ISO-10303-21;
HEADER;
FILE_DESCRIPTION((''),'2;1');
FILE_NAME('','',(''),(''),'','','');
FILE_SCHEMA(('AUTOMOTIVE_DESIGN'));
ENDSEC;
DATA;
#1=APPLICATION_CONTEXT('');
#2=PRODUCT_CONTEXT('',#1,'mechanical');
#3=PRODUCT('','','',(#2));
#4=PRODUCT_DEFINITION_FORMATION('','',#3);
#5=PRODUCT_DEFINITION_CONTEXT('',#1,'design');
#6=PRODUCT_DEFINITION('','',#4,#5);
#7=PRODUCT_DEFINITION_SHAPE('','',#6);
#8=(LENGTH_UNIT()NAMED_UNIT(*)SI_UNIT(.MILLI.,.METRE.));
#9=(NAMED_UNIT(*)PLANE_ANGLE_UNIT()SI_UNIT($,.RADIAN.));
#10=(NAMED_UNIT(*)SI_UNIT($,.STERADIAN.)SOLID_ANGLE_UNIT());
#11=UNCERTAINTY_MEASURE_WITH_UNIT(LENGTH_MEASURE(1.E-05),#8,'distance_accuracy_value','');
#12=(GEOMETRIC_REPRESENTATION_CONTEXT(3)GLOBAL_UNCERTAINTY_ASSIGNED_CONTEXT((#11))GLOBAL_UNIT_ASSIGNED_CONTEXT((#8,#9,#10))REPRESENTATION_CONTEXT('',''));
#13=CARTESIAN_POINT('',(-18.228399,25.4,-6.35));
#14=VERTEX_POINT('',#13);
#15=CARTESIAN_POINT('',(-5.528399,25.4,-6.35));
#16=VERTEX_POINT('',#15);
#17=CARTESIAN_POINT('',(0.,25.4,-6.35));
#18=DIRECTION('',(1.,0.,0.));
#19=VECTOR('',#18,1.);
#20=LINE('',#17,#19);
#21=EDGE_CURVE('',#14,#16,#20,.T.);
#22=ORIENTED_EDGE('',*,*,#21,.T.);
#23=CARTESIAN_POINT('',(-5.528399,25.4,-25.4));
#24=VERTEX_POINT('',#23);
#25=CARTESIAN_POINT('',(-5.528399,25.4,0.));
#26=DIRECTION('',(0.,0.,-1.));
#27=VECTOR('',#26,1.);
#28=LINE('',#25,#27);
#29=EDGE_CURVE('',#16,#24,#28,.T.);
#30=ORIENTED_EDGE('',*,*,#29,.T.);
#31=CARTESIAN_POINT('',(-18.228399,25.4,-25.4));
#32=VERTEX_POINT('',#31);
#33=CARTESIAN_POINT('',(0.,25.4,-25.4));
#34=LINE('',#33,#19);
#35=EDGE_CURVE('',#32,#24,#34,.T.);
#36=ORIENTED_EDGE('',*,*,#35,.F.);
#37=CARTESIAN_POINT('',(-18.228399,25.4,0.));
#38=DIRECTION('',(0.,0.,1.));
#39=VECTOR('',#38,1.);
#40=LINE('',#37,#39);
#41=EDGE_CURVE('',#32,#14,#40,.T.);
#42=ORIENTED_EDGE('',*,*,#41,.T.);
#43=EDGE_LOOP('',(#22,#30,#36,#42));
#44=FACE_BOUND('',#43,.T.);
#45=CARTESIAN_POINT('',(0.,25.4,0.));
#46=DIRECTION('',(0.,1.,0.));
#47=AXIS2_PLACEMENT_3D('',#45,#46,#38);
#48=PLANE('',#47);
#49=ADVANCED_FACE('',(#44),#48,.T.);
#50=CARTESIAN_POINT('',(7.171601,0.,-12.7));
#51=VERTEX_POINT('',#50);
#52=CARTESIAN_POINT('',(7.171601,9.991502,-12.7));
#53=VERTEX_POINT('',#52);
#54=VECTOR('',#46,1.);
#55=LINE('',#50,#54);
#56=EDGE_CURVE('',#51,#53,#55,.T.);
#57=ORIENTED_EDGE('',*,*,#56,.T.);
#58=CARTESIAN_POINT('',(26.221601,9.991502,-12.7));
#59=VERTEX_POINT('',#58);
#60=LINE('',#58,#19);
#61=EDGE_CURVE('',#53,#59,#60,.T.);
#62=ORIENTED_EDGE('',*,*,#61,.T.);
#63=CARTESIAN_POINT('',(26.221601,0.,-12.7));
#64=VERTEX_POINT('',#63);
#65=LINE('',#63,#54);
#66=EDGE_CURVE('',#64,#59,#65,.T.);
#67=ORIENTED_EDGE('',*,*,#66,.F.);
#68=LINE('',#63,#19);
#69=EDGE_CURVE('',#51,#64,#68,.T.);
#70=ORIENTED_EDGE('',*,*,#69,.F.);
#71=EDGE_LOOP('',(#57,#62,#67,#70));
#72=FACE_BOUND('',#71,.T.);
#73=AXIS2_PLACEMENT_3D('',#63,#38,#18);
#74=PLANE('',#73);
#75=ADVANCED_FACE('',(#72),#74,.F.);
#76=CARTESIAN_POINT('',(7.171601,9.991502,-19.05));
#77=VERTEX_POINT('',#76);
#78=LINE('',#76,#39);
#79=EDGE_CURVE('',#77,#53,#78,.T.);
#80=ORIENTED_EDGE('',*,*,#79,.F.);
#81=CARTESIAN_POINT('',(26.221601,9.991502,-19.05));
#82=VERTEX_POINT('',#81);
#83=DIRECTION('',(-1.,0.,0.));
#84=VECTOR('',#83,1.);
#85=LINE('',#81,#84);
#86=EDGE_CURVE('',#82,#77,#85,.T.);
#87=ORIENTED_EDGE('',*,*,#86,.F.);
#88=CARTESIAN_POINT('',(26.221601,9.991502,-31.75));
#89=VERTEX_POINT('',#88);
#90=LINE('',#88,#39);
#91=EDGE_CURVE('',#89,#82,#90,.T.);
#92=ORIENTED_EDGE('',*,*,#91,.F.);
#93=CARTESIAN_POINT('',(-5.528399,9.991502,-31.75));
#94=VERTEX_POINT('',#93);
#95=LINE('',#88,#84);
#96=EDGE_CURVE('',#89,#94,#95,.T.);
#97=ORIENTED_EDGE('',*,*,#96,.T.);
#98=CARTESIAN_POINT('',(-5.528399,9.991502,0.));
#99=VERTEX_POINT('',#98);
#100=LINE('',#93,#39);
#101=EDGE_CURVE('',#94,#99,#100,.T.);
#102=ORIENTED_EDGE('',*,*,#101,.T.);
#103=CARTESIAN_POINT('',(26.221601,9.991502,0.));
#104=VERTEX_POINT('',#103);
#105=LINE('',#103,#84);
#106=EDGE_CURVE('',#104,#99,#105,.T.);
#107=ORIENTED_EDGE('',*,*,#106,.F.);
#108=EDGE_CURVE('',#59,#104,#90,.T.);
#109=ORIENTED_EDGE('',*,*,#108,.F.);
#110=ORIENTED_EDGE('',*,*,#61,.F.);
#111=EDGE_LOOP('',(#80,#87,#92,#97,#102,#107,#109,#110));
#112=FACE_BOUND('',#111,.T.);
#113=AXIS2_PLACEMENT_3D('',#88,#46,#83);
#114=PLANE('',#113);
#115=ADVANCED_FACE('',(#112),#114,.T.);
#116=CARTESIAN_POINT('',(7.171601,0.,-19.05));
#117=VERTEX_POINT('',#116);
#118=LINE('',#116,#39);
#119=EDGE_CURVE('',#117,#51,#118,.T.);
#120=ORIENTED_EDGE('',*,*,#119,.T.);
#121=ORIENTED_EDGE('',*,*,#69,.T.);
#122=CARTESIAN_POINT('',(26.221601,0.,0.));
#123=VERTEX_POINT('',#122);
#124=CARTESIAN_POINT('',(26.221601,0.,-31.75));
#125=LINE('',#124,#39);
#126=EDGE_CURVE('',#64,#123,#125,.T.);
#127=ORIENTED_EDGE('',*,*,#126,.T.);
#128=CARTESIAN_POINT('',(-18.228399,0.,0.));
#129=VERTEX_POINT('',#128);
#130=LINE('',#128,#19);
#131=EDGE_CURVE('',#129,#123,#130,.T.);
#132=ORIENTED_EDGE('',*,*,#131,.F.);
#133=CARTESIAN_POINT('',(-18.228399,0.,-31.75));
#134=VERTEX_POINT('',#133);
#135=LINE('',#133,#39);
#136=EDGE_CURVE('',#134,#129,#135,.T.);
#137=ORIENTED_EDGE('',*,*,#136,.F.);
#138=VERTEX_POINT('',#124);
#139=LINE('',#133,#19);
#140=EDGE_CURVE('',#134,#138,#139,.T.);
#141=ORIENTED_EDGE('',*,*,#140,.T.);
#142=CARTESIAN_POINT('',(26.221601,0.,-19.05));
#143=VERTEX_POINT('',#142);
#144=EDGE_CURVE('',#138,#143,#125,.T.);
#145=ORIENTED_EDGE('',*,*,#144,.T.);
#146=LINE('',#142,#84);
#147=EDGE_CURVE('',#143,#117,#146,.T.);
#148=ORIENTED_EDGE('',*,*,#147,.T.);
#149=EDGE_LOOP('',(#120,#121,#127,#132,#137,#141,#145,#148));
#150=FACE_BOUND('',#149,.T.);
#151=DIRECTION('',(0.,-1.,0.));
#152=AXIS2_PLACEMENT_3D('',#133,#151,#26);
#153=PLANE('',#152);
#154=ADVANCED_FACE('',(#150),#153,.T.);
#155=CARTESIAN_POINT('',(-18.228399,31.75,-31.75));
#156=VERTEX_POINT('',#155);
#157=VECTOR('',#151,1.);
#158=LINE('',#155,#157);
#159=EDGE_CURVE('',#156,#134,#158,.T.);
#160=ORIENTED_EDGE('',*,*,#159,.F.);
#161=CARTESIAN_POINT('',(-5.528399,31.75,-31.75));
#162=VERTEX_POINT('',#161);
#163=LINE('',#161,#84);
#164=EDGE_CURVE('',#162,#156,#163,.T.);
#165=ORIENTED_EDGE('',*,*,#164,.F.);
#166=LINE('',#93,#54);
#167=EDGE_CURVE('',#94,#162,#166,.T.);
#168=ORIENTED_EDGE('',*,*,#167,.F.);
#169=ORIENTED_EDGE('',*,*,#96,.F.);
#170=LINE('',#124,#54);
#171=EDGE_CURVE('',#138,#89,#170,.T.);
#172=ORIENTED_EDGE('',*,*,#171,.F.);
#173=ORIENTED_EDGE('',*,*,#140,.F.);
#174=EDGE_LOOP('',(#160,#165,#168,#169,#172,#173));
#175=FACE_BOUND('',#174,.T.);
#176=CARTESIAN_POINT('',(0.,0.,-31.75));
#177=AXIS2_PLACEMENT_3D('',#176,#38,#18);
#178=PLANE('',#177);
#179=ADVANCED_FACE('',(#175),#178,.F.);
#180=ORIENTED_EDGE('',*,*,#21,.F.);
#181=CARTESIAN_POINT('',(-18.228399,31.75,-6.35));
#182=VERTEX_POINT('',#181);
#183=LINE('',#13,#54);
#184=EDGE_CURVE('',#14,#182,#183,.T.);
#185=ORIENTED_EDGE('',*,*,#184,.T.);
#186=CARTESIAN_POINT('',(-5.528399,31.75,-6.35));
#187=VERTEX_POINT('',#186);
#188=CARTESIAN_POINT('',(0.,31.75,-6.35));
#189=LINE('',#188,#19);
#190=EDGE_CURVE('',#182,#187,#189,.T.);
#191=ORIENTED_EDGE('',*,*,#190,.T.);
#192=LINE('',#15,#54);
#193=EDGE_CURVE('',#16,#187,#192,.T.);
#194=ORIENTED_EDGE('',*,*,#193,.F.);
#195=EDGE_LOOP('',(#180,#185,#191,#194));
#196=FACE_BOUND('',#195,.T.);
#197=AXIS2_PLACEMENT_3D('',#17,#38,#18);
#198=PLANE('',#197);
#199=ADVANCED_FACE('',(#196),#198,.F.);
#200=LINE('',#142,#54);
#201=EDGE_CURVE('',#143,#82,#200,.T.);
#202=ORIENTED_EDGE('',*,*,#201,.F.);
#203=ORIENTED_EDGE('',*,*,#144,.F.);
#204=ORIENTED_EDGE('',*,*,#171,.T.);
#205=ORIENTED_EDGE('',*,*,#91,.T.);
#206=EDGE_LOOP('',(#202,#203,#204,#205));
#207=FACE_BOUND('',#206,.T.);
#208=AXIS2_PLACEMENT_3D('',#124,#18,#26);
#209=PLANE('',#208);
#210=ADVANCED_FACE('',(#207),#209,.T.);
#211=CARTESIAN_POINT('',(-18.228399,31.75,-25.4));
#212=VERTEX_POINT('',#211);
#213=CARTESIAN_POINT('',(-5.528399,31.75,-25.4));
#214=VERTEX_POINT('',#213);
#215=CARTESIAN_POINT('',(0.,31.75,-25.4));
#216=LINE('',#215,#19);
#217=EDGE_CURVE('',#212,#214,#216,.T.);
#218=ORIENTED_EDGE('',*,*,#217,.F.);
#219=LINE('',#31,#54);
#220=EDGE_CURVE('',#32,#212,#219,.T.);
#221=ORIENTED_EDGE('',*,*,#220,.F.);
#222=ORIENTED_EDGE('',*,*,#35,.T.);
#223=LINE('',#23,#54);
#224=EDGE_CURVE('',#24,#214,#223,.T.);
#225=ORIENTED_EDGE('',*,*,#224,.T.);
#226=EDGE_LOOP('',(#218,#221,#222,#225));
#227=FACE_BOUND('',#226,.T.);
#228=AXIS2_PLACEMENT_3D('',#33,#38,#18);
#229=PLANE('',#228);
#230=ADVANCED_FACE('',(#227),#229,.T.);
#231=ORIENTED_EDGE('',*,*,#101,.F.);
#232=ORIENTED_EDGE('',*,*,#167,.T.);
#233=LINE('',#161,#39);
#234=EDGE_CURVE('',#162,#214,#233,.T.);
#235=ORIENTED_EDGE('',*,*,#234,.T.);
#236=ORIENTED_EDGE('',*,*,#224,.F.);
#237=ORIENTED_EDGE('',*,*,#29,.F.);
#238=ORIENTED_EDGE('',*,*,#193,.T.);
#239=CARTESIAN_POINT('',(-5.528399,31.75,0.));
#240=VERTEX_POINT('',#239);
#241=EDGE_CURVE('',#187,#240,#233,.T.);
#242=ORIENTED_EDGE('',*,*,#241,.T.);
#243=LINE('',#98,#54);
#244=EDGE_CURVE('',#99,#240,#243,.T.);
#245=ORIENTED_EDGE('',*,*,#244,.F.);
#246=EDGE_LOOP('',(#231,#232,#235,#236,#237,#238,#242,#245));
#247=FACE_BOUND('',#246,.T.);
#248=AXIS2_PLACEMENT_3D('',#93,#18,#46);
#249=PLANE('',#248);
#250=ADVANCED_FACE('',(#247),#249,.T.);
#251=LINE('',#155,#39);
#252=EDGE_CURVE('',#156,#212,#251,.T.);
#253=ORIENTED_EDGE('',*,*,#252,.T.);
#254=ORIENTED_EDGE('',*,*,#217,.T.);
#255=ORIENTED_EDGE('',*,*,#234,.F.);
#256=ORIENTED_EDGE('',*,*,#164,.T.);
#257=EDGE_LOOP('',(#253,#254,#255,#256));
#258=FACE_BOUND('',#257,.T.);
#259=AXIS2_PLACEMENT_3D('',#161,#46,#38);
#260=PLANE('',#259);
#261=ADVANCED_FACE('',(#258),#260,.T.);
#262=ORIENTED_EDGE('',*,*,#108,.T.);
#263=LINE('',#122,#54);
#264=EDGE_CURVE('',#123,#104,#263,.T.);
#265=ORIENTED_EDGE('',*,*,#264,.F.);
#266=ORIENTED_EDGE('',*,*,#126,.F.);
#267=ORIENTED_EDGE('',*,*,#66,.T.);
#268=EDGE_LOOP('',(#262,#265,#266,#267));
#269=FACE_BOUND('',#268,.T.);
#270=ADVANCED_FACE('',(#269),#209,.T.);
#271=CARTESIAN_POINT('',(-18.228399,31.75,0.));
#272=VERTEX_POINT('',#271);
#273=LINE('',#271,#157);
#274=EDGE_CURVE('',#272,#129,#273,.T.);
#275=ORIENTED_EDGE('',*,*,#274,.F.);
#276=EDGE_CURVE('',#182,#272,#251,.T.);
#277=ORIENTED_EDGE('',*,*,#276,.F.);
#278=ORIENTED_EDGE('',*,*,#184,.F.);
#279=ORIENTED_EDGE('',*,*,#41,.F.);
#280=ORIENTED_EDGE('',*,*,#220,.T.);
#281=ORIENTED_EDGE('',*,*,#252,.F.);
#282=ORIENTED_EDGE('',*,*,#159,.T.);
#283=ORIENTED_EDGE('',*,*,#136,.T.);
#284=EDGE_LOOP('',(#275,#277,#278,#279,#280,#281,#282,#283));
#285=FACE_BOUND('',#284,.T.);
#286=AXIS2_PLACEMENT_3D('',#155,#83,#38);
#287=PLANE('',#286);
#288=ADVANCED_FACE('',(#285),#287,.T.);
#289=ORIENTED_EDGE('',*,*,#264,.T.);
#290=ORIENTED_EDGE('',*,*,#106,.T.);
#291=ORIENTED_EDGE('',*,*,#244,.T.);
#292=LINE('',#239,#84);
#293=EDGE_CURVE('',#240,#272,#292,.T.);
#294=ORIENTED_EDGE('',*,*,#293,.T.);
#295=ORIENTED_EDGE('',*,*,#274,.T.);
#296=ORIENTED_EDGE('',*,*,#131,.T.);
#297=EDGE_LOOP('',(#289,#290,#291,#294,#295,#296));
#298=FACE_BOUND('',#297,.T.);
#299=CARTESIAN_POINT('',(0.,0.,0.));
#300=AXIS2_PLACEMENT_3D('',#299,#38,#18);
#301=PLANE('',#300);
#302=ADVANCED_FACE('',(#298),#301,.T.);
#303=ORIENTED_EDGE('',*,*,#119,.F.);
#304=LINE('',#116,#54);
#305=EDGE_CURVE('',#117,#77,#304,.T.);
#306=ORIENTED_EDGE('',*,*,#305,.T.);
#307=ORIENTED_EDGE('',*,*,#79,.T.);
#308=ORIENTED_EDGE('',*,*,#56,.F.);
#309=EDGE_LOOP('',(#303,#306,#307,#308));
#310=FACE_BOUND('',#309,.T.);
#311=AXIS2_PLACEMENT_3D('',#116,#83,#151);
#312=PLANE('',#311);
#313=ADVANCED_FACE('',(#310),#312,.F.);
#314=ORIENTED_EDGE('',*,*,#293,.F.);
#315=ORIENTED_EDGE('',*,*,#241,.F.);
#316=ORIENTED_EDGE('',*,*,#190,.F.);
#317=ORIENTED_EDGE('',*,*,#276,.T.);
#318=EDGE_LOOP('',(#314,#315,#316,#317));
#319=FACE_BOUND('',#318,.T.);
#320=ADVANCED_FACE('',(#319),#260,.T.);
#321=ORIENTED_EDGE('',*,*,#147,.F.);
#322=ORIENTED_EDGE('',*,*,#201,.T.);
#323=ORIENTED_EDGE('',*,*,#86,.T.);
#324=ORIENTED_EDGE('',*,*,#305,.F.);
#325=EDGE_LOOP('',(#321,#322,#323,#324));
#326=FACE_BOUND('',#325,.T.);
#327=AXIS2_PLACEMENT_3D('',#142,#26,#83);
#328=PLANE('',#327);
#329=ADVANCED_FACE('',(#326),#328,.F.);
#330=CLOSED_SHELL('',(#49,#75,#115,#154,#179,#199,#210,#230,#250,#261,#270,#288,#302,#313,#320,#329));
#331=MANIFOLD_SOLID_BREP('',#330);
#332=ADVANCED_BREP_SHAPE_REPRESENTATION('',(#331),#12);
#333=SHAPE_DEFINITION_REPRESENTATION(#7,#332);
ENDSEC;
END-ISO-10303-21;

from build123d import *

# Parameters (mm, degrees)
BOSS_EXTRUDE1_DEPTH = 31.75
SKETCH3_W           = 12.7
SKETCH3_H           = 19.05
CUT_EXTRUDE1_DEPTH  = 6.35
SKETCH4_W           = 19.05
SKETCH4_H           = 6.35
CUT_EXTRUDE2_DEPTH  = 47.573244244


with BuildPart() as part:
    # Sketch2 → Boss-Extrude1 (new body)
    with BuildSketch(Plane.XY):
        Polygon((-18.228399123, 0), (26.221600877, 0), (26.221600877, 9.991502193), (-5.528399123, 9.991502193), (-5.528399123, 31.75), (-18.228399123, 31.75), align=None)
    extrude(amount=-BOSS_EXTRUDE1_DEPTH)

    # Sketch3 → Cut-Extrude1 (cut)
    with BuildSketch(Plane(origin=(0, 31.75, 0), x_dir=(1, 0, 0), z_dir=(0, 1, 0))):
        with Locations((-11.878399123, 15.875)):
            Rectangle(SKETCH3_W, SKETCH3_H)
    extrude(amount=-CUT_EXTRUDE1_DEPTH, mode=Mode.SUBTRACT)

    # Sketch4 → Cut-Extrude2 (cut, through all)
    with BuildSketch(Plane(origin=(0, 9.991502193, 0), x_dir=(1, 0, 0), z_dir=(0, 1, 0))):
        with Locations((16.696600877, 15.875)):
            Rectangle(SKETCH4_W, SKETCH4_H)
    extrude(amount=-CUT_EXTRUDE2_DEPTH, mode=Mode.SUBTRACT)


solid = part.part
